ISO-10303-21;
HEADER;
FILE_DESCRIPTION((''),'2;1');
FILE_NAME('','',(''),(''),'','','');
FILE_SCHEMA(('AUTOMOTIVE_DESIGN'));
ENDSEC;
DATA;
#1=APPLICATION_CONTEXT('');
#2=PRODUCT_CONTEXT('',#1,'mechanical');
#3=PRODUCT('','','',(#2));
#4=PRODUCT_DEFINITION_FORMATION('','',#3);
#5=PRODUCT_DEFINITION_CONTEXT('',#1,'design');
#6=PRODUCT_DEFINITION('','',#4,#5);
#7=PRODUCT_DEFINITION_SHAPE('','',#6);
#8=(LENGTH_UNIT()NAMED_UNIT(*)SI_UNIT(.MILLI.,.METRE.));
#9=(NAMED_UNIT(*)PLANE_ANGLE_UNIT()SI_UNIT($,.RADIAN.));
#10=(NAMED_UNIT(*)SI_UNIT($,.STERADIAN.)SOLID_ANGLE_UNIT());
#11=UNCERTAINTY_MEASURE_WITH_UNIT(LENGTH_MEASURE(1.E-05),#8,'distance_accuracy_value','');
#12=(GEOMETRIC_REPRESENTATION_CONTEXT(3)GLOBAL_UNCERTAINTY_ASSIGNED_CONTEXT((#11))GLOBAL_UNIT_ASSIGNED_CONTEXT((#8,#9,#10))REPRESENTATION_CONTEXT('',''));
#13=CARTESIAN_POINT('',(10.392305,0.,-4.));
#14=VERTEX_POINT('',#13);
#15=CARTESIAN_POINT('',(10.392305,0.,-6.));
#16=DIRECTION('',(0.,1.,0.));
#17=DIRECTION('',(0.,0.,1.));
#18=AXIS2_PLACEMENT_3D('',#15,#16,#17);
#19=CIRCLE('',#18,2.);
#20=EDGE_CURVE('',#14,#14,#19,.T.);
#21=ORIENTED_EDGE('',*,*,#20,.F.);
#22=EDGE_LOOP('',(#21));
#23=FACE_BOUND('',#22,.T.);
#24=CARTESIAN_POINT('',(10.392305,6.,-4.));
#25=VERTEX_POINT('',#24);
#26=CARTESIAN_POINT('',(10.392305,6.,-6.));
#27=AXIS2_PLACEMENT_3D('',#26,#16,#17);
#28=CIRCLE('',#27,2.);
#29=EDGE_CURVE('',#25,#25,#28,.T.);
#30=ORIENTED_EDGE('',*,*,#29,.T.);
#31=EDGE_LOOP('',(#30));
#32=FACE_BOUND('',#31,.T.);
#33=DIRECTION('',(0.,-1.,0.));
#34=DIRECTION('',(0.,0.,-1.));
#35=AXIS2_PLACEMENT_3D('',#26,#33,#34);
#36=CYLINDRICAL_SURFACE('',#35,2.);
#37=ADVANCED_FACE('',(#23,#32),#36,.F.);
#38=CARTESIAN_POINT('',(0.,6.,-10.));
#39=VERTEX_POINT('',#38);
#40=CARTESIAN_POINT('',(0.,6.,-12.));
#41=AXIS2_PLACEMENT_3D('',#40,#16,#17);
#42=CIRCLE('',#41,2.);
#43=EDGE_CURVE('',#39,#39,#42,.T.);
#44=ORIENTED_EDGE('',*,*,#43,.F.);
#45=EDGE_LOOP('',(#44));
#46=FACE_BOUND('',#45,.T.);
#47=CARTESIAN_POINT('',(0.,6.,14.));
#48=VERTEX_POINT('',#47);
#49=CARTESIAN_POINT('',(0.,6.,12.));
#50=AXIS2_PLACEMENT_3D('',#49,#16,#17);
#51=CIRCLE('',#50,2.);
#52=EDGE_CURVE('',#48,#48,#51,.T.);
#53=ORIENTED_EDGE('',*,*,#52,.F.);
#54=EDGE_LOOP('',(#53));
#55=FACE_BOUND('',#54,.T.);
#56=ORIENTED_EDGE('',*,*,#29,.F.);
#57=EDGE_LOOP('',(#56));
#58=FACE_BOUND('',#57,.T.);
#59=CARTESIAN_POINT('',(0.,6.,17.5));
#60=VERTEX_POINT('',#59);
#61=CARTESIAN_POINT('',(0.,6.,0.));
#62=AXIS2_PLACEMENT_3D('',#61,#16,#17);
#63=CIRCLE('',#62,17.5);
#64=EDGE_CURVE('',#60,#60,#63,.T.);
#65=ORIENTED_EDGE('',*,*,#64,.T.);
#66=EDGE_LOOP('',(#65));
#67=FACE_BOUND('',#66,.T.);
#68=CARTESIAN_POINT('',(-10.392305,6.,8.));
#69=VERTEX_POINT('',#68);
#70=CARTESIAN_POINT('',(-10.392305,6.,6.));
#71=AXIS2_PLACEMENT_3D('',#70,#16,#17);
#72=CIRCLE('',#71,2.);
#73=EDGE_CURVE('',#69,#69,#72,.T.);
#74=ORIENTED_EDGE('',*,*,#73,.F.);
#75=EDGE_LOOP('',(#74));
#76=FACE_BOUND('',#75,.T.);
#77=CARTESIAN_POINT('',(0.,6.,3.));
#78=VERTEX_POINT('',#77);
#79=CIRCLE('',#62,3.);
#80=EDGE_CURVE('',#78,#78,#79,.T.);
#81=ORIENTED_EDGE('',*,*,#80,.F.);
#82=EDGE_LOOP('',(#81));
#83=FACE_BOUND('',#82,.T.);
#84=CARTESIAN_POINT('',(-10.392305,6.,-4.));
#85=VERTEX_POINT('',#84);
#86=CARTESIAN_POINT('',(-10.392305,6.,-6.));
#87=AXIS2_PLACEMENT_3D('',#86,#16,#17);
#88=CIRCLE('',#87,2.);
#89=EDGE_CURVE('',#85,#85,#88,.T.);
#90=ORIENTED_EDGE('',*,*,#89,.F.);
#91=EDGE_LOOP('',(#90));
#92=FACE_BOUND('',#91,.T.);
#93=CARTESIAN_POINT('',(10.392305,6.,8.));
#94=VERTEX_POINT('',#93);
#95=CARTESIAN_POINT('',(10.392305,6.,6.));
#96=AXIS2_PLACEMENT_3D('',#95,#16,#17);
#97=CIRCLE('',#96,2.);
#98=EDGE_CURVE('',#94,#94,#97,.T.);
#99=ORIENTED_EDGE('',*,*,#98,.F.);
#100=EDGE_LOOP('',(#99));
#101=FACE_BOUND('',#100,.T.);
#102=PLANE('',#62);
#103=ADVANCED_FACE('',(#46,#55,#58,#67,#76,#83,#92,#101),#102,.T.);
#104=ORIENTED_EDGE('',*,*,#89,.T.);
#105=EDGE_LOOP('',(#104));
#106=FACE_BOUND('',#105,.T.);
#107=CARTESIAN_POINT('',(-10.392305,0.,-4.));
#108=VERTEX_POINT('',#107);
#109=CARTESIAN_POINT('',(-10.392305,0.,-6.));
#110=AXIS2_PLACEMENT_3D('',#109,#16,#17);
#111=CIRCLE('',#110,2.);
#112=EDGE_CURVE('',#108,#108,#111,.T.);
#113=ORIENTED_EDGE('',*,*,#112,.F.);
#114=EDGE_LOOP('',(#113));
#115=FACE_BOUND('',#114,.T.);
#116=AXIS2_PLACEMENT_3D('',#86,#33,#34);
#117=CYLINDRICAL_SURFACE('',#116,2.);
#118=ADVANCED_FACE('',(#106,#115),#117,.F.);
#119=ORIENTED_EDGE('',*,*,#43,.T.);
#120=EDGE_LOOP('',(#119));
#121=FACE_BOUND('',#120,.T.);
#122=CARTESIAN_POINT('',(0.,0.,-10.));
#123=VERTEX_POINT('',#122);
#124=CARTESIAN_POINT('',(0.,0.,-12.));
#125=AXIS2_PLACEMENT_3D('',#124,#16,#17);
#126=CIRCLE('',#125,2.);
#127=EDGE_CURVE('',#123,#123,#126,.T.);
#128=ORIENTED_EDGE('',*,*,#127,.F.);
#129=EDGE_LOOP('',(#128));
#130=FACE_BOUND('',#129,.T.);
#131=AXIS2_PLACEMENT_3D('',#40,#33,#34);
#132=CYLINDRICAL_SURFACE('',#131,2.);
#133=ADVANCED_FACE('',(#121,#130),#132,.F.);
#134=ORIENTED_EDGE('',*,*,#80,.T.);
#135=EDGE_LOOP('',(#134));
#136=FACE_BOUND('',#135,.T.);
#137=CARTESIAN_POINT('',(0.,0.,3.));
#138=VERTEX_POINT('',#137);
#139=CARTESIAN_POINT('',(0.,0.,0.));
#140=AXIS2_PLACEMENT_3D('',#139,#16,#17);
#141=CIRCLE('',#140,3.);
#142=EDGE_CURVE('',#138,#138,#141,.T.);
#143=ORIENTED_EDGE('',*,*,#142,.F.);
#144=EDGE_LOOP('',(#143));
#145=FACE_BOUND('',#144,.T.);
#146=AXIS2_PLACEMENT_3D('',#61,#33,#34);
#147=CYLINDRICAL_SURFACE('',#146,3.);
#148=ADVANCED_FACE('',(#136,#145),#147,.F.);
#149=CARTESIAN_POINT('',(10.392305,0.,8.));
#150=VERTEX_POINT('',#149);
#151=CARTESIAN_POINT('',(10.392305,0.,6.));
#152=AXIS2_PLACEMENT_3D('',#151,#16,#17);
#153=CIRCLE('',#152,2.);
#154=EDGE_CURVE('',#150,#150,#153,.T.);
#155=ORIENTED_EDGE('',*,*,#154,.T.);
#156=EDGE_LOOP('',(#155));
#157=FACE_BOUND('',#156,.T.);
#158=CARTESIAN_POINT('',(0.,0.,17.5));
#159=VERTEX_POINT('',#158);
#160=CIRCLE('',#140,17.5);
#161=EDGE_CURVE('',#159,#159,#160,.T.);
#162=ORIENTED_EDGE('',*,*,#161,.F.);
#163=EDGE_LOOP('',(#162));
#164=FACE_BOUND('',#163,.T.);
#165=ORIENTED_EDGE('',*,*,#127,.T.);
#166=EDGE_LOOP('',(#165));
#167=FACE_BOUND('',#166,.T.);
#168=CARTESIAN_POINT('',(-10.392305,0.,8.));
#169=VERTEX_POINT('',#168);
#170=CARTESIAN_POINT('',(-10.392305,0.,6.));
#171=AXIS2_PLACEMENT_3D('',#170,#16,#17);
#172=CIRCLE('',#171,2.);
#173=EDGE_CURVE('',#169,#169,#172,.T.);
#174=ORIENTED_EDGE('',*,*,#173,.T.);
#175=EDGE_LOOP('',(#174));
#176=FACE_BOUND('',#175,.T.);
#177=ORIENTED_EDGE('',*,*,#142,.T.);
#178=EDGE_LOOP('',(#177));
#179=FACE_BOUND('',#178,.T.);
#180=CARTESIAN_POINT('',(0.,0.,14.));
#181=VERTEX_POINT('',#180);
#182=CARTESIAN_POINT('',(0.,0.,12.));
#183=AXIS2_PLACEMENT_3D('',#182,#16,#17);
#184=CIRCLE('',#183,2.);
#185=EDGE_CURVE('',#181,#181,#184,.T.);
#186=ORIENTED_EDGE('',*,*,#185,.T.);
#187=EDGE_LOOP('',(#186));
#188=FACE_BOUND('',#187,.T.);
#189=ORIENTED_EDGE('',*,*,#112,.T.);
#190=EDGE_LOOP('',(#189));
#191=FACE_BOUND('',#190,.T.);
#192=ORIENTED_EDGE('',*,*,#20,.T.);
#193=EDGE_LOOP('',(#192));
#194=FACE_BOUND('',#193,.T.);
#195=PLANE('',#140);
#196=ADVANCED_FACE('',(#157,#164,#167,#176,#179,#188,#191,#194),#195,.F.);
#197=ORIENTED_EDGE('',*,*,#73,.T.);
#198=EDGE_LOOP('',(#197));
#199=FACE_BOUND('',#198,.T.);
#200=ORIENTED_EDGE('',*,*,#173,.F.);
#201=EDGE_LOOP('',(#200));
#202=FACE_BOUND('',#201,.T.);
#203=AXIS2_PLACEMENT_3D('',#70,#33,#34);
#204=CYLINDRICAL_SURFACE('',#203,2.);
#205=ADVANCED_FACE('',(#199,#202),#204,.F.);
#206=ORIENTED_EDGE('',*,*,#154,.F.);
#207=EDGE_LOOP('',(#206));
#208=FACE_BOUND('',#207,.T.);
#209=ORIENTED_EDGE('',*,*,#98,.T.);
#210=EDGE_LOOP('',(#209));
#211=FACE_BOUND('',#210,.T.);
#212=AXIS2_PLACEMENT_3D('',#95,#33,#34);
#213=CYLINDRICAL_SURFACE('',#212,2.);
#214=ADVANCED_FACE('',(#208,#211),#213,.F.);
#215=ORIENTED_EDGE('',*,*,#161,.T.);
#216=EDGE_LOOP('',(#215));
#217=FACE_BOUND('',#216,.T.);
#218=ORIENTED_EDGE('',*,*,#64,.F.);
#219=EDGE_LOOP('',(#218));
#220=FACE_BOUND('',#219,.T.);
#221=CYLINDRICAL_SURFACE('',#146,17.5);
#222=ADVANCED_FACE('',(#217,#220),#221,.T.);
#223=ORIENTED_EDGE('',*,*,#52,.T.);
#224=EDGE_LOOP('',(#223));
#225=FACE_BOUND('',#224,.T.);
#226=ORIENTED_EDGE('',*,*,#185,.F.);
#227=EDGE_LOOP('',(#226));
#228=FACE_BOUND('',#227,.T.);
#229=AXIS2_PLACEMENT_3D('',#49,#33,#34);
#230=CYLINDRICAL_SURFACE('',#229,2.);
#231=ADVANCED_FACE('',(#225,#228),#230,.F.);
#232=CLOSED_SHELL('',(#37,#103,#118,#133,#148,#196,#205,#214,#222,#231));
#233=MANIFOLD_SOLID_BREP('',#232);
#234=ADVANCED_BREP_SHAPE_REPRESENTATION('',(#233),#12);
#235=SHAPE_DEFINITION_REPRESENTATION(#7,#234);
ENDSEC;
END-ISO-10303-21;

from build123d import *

# Parameters (mm, degrees)
SKETCH_1_R      = 17.5
SKETCH_1_R_2    = 2
SKETCH_1_R_3    = 3
EXTRUDE_1_DEPTH = 6


with BuildPart() as part:
    # 草图1 → 凸台-拉伸1 (new body)
    with BuildSketch(Plane(origin=(0, 0, 0), x_dir=(1, 0, 0), z_dir=(0, 1, 0))):
        with Locations(Location((0, 0, 0), (0, 0, 270))):
            Circle(SKETCH_1_R)
        with Locations(Location((0, 12, 0), (0, 0, 270))):
            Circle(SKETCH_1_R_2, mode=Mode.SUBTRACT)
        with Locations(Location((10.392304845, 6, 0), (0, 0, 270))):
            Circle(SKETCH_1_R_2, mode=Mode.SUBTRACT)
        with Locations(Location((10.392304845, -6, 0), (0, 0, 270))):
            Circle(SKETCH_1_R_2, mode=Mode.SUBTRACT)
        with Locations(Location((0, -12, 0), (0, 0, 270))):
            Circle(SKETCH_1_R_2, mode=Mode.SUBTRACT)
        with Locations(Location((-10.392304845, -6, 0), (0, 0, 270))):
            Circle(SKETCH_1_R_2, mode=Mode.SUBTRACT)
        with Locations(Location((-10.392304845, 6, 0), (0, 0, 270))):
            Circle(SKETCH_1_R_2, mode=Mode.SUBTRACT)
        with Locations(Location((0, 0, 0), (0, 0, 270))):
            Circle(SKETCH_1_R_3, mode=Mode.SUBTRACT)
    extrude(amount=EXTRUDE_1_DEPTH)


solid = part.part
